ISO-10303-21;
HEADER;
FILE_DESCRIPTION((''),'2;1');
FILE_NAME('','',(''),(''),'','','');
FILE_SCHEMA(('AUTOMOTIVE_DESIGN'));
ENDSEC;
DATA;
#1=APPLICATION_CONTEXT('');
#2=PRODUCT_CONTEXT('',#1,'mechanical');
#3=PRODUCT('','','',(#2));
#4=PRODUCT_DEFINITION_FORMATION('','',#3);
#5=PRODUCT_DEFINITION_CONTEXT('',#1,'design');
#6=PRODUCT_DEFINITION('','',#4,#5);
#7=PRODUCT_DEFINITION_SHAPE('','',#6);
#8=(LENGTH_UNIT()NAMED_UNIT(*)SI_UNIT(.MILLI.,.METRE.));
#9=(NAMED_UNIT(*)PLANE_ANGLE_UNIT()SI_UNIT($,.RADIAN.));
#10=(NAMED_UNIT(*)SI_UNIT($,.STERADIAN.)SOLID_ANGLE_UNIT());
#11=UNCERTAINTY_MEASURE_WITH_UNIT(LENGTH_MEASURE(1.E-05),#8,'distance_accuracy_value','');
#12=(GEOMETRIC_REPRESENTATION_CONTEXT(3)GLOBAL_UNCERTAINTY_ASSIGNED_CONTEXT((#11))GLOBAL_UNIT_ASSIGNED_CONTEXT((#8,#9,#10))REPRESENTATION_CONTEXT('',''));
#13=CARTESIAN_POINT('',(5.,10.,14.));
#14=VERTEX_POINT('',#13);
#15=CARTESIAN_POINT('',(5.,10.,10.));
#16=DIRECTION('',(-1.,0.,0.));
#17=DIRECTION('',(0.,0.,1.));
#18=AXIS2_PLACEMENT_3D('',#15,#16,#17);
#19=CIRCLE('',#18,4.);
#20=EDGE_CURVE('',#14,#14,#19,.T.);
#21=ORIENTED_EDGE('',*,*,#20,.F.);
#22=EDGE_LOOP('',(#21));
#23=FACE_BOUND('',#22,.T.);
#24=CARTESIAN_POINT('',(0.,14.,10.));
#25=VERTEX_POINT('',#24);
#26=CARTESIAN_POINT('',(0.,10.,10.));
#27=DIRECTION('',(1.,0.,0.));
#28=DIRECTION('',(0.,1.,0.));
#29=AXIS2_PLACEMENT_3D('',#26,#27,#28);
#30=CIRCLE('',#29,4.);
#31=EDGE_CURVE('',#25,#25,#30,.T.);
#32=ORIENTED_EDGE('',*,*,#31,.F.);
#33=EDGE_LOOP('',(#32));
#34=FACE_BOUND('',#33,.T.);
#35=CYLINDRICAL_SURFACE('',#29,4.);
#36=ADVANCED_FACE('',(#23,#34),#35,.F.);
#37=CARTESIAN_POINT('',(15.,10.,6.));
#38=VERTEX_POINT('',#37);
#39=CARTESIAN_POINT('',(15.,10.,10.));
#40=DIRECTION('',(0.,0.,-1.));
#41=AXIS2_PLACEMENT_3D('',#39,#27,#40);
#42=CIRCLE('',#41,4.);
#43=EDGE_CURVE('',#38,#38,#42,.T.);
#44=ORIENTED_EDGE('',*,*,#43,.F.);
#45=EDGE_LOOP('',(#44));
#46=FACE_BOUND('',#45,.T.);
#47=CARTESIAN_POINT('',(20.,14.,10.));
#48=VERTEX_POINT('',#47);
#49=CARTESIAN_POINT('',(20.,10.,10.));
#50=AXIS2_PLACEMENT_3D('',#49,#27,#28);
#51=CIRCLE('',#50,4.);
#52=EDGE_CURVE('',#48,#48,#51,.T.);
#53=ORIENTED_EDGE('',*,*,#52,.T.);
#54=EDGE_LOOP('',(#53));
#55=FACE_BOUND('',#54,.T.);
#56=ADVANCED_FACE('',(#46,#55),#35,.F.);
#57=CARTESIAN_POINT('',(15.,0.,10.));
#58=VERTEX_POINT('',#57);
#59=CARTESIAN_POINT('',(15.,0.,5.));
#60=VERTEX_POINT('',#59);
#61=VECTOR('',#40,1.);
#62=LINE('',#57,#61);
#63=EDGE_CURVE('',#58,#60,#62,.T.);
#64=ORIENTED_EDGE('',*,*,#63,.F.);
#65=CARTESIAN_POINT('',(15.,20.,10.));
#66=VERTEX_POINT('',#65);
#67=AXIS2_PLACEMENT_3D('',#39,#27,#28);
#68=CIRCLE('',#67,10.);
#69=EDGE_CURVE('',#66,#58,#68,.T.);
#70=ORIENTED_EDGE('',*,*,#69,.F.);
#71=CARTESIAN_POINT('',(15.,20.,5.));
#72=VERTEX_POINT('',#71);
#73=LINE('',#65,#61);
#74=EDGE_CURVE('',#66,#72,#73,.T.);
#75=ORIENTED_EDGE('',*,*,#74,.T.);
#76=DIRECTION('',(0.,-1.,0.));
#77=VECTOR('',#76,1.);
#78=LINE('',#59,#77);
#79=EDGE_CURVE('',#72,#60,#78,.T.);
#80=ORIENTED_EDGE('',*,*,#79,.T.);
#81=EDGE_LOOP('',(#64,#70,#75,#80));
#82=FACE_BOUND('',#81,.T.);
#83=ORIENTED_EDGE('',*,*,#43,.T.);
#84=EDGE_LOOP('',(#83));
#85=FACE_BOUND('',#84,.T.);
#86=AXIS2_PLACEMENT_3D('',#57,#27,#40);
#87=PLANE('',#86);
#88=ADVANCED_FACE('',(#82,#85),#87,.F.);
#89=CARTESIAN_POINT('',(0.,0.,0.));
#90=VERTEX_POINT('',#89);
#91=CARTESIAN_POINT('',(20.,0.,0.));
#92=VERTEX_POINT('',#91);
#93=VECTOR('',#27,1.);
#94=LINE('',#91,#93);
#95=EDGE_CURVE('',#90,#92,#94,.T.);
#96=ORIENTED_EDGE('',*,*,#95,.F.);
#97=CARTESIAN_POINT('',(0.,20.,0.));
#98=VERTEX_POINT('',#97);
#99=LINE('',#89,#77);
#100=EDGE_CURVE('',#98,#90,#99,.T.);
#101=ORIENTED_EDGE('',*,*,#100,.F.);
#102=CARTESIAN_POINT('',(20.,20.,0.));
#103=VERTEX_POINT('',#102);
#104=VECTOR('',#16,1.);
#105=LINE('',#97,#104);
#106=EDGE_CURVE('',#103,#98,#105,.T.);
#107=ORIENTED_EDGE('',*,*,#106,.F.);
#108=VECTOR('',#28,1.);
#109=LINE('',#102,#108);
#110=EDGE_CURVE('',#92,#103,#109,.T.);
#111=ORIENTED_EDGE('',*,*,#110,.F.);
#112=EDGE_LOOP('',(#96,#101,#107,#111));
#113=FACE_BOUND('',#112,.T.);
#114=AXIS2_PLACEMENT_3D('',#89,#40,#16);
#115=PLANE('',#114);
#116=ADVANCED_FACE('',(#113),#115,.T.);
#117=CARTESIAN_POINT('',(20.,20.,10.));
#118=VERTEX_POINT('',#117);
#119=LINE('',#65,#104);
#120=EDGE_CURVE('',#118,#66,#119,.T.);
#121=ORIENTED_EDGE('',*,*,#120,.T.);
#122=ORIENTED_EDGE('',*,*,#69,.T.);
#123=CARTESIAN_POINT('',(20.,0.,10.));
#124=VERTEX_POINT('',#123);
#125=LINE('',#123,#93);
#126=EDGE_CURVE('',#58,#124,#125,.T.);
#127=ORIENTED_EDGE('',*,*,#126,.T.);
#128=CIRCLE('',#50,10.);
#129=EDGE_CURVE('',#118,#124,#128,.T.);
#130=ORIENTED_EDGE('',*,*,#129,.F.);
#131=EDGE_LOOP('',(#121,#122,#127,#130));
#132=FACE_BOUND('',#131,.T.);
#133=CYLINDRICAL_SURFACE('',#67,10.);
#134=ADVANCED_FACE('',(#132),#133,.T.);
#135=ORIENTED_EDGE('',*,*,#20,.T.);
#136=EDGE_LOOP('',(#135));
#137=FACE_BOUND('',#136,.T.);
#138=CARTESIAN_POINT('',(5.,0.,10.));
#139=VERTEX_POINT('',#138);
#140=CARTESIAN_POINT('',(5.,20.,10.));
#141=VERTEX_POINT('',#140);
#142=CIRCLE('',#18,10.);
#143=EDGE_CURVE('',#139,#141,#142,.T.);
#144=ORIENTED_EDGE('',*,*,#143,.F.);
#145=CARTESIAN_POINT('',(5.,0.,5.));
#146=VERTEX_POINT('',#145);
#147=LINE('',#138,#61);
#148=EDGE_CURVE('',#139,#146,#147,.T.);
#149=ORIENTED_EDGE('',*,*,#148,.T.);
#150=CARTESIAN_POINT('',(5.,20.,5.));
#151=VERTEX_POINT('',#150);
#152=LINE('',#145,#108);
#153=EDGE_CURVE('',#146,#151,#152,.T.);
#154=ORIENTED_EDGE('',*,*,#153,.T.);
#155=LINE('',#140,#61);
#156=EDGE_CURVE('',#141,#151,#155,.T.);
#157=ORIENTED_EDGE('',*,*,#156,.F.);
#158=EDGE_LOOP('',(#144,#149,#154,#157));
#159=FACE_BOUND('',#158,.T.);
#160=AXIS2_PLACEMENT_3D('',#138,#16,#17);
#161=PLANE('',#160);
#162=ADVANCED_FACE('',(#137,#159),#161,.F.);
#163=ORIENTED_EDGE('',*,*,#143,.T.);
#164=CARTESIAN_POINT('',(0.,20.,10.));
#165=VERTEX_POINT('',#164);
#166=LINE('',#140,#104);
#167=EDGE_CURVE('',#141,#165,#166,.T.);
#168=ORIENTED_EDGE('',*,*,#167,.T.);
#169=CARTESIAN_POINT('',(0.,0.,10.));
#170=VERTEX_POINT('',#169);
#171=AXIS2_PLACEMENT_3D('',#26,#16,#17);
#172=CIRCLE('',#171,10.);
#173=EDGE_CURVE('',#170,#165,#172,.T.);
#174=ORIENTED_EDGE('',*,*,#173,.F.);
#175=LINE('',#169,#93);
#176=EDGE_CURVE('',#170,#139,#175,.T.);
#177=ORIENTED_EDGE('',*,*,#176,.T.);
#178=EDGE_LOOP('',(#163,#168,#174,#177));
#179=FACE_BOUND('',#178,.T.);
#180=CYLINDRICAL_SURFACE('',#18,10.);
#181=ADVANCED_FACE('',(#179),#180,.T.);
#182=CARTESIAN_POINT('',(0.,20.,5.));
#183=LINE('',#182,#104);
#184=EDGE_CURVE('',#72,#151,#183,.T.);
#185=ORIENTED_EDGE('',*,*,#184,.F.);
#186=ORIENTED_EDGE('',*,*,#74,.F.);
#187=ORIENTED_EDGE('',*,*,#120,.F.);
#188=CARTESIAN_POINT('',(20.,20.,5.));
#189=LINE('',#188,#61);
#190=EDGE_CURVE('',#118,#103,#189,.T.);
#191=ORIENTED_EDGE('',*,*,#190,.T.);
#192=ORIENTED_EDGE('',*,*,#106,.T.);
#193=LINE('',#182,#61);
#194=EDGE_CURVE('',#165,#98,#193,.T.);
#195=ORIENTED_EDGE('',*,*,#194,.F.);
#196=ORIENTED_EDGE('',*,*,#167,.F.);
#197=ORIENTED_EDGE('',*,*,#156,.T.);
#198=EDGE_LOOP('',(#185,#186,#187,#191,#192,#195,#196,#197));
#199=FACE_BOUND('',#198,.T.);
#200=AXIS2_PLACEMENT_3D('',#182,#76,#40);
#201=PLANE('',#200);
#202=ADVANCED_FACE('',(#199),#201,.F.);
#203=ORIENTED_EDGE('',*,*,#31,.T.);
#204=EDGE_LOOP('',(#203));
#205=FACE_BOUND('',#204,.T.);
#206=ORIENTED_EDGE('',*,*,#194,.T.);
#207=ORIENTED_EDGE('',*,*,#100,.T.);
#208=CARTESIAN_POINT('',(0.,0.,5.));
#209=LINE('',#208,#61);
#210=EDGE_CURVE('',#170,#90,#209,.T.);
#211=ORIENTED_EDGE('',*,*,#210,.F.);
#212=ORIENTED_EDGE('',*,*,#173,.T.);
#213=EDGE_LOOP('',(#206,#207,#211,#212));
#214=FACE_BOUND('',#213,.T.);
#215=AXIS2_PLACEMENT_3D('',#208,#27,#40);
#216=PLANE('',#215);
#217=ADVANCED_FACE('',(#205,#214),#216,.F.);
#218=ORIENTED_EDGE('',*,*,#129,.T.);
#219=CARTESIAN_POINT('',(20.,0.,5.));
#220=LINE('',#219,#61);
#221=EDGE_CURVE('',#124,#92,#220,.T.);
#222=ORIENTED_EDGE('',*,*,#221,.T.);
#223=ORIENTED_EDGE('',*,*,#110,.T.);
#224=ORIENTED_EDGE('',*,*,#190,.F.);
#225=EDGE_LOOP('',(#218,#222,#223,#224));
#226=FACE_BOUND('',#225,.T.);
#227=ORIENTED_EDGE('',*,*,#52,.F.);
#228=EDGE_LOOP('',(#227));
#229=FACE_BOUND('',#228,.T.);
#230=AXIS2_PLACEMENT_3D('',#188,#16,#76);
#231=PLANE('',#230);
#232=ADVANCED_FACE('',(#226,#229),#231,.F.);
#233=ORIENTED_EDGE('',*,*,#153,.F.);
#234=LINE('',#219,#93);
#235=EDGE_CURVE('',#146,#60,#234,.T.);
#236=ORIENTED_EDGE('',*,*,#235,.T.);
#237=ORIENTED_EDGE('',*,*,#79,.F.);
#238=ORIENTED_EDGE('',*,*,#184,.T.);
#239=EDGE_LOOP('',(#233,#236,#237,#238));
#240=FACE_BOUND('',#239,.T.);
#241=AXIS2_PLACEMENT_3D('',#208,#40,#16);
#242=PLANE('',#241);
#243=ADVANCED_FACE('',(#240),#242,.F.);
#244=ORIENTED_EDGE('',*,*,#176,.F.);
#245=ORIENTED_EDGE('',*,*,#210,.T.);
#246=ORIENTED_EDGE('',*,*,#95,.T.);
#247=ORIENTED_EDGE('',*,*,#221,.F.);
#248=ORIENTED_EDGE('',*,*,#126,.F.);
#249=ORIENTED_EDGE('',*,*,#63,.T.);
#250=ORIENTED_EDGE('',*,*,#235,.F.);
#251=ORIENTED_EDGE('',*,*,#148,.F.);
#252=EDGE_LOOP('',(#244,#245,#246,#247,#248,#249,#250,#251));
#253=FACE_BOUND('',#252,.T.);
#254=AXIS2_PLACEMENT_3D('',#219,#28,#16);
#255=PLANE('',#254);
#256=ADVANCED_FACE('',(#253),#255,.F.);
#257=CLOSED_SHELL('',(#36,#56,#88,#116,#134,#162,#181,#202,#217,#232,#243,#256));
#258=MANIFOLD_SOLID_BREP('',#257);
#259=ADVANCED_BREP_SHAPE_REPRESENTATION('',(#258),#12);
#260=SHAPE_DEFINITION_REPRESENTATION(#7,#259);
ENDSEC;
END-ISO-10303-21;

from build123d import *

# Parameters (mm, degrees)
SKETCH1_W           = 20
SKETCH1_H           = 20
BOSS_EXTRUDE1_DEPTH = 5
SKETCH2_W           = 5
SKETCH2_H           = 20
BOSS_EXTRUDE2_DEPTH = 5
SKETCH3_R           = 10
BOSS_EXTRUDE5_DEPTH = 5
SKETCH6_R           = 10
BOSS_EXTRUDE6_DEPTH = 5
SKETCH5_R           = 4
CUT_EXTRUDE1_DEPTH  = 21


with BuildPart() as part:
    # Sketch1 → Boss-Extrude1 (new body)
    with BuildSketch(Plane.XY):
        with Locations((10, 10)):
            Rectangle(SKETCH1_W, SKETCH1_H)
    extrude(amount=BOSS_EXTRUDE1_DEPTH)

    # Sketch2 → Boss-Extrude2 (add)
    with BuildSketch(Plane.XY.offset(5)):
        with Locations((2.5, 10)):
            Rectangle(SKETCH2_W, SKETCH2_H)
        with Locations((17.5, 10)):
            Rectangle(SKETCH2_W, SKETCH2_H)
    extrude(amount=BOSS_EXTRUDE2_DEPTH)

    # Sketch3 → Boss-Extrude5 (add)
    with BuildSketch(Plane(origin=(20, 0, 0), x_dir=(0, 0, -1), z_dir=(1, 0, 0))):
        with Locations((-10, 10)):
            Circle(SKETCH3_R)
    extrude(amount=-BOSS_EXTRUDE5_DEPTH)

    # Sketch6 → Boss-Extrude6 (add)
    with BuildSketch(Plane.ZY):
        with Locations((10, 10)):
            Circle(SKETCH6_R)
    extrude(amount=-BOSS_EXTRUDE6_DEPTH)

    # Sketch5 → Cut-Extrude1 (cut, through all)
    with BuildSketch(Plane(origin=(20, 0, 0), x_dir=(0, 0, -1), z_dir=(1, 0, 0))):
        with Locations((-10, 10)):
            Circle(SKETCH5_R)
    extrude(amount=-CUT_EXTRUDE1_DEPTH, mode=Mode.SUBTRACT)


solid = part.part
